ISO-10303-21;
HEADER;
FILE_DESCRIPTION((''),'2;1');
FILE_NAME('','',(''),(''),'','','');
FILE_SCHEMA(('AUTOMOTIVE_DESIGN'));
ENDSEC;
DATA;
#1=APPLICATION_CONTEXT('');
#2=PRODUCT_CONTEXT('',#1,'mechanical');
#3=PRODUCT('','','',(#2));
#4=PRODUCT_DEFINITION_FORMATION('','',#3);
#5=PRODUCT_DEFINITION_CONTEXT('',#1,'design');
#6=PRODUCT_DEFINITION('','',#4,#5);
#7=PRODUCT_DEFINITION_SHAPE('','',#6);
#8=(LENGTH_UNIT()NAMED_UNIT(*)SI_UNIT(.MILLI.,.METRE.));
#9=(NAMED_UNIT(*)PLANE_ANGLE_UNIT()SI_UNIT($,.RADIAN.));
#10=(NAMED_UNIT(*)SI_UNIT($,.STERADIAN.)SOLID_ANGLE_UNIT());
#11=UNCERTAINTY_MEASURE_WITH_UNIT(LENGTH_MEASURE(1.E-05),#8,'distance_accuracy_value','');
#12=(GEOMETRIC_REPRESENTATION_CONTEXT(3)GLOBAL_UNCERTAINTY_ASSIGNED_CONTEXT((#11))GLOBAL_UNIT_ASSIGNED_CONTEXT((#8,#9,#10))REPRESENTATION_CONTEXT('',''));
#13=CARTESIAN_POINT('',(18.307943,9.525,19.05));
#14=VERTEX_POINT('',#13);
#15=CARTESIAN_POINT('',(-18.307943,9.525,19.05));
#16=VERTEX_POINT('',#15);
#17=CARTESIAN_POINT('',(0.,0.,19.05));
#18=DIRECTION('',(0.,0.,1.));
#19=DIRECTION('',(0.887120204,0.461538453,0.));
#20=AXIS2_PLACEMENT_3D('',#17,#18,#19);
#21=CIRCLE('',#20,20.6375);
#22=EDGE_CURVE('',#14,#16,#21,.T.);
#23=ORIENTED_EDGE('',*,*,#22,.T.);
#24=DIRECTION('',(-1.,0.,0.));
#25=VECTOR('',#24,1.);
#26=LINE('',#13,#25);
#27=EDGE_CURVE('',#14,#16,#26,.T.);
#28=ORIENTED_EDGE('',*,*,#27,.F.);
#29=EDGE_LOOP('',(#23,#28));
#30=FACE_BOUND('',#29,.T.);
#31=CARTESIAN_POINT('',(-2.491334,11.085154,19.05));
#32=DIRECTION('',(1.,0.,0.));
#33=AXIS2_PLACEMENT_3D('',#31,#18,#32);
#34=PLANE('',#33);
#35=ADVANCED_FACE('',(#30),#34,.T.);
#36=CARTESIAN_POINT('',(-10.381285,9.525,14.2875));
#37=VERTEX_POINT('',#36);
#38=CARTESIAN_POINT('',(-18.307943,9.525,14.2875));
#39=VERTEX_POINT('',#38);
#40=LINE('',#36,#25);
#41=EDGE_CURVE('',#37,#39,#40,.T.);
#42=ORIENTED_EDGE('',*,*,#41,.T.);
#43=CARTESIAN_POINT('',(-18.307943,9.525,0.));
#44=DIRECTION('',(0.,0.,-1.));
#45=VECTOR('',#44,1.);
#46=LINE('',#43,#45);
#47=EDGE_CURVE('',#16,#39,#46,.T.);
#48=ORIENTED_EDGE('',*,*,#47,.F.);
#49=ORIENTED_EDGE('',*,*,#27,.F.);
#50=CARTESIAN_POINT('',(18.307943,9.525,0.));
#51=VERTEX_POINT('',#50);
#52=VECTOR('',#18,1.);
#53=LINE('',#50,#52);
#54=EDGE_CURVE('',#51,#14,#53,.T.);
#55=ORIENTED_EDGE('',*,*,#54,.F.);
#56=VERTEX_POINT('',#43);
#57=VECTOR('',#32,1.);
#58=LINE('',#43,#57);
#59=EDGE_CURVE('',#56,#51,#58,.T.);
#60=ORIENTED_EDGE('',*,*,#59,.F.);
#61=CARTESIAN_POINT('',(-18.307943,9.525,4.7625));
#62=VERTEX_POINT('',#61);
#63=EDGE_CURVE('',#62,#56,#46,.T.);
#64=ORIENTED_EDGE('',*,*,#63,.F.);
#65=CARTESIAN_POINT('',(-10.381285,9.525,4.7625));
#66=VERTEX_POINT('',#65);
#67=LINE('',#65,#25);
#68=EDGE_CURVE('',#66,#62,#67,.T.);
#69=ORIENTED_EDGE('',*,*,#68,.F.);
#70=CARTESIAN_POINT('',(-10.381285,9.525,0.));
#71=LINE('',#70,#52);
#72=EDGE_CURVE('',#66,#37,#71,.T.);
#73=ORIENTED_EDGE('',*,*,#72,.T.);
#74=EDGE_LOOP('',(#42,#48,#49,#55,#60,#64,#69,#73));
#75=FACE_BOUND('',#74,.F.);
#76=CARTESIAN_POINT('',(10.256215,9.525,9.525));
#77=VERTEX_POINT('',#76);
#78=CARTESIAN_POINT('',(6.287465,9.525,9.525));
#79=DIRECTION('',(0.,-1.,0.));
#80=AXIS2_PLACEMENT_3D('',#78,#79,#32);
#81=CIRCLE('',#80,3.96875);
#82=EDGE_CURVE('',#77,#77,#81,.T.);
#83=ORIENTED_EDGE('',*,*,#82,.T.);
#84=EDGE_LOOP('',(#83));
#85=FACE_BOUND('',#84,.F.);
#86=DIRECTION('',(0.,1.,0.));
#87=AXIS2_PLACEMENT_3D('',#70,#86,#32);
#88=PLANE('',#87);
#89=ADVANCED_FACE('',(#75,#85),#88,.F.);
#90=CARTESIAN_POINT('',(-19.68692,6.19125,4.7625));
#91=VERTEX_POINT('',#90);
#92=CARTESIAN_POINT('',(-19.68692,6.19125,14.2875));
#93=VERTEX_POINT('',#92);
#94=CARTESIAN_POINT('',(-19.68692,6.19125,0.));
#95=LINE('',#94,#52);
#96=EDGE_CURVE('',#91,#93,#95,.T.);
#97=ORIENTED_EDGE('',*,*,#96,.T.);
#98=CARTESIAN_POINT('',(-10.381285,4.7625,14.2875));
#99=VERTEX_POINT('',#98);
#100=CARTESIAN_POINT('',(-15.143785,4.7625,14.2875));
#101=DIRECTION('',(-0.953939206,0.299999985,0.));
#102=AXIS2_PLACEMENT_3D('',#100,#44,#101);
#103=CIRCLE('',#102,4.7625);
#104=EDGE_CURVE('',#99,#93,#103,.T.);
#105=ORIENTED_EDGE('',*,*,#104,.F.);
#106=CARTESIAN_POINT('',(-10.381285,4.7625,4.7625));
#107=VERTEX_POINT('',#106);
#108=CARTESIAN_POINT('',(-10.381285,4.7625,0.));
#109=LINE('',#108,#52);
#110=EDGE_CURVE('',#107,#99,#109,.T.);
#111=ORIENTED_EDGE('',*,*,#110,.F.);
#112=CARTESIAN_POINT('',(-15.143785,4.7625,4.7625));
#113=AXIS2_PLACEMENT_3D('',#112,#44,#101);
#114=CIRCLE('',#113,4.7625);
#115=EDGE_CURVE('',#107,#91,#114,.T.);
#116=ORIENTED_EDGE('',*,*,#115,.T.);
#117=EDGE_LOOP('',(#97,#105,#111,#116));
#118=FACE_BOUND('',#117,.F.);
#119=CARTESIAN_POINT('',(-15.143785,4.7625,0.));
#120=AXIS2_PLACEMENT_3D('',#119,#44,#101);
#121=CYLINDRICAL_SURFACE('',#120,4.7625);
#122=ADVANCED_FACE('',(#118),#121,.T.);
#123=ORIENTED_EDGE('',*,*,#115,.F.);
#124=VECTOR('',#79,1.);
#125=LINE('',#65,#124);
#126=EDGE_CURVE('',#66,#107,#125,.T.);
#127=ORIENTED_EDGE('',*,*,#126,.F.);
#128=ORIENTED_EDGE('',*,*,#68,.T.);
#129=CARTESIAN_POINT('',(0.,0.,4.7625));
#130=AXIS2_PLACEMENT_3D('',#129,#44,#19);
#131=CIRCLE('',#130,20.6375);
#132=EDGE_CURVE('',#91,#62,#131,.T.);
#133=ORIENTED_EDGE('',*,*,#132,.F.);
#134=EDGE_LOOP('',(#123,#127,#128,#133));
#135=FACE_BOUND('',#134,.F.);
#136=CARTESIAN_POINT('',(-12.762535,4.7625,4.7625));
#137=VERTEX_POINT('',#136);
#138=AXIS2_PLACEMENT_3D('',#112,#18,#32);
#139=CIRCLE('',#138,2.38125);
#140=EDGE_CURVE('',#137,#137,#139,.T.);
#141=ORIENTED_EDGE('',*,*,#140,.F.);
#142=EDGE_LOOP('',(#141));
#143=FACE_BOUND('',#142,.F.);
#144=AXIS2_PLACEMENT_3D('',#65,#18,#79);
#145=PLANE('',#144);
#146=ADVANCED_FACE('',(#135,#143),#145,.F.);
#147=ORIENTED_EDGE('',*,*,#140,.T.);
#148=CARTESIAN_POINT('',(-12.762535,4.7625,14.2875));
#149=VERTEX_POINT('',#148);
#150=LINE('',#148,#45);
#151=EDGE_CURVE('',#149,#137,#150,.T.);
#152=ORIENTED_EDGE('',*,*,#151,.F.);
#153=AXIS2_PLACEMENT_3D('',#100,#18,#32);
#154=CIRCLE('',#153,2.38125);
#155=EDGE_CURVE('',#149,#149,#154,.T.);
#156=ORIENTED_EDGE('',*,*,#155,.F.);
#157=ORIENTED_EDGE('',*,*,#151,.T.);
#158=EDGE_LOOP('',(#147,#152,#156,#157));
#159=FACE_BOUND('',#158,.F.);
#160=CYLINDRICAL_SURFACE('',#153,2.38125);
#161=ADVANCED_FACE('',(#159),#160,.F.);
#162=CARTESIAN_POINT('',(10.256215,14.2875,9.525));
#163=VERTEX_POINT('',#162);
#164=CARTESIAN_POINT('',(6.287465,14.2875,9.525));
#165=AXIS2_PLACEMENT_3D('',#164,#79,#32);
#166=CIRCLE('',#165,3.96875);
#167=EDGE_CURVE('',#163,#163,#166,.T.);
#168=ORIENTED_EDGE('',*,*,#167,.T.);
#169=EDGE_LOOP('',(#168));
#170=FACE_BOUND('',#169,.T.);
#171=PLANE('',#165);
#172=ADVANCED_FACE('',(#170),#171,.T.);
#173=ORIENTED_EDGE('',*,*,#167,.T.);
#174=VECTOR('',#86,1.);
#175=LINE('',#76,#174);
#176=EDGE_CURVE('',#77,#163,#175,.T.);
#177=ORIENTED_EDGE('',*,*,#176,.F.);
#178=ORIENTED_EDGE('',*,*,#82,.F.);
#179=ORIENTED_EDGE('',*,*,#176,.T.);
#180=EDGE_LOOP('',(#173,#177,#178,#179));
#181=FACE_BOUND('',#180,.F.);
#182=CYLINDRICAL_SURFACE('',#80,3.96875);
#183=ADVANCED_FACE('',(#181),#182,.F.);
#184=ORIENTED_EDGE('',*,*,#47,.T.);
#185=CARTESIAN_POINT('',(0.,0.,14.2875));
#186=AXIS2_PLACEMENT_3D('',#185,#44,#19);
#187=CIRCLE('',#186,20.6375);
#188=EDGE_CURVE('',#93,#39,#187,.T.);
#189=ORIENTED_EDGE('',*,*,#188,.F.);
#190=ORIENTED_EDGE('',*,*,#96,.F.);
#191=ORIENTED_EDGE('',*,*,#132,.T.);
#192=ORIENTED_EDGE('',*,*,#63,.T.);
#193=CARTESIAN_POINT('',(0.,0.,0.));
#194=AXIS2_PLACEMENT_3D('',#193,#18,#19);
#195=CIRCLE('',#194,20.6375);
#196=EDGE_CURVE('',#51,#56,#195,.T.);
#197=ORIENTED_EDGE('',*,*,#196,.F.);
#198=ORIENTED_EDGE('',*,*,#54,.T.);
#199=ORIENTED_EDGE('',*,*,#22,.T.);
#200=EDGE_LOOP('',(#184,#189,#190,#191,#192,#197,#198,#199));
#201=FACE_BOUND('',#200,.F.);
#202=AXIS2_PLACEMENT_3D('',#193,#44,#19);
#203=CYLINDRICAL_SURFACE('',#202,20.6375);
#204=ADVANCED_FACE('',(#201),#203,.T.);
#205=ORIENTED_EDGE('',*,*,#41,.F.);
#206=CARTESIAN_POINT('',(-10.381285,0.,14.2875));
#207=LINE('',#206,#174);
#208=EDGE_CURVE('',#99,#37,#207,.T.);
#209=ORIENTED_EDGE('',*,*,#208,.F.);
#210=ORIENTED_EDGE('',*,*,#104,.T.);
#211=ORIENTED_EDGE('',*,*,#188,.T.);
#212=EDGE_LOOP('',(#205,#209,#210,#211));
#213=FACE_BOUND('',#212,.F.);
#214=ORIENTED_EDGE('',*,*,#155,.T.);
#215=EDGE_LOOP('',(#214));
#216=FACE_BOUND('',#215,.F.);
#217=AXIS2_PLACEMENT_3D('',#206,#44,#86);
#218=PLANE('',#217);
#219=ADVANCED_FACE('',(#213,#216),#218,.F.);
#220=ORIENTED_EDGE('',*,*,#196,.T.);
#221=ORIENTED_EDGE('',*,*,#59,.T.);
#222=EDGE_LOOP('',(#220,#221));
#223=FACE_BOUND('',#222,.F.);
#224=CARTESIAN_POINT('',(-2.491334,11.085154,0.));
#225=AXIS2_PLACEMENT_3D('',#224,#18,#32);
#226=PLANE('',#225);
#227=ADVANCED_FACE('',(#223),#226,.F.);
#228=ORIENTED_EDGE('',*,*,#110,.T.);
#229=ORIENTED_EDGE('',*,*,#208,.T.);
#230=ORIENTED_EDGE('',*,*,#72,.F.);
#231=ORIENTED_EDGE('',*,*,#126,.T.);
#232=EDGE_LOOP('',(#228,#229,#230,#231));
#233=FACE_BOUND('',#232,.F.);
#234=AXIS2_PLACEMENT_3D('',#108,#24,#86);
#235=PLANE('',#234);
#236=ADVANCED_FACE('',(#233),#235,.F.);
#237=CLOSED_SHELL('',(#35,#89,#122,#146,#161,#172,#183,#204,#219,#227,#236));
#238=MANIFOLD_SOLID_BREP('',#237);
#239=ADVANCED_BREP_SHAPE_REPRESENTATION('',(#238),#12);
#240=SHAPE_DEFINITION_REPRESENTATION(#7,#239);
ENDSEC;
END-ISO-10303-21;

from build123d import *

# Parameters (mm, degrees)
F1_DEPTH = 19.05
F2_W     = 4.7625
F2_H     = 4.7625
F3_DEPTH = 25.4
F4_R     = 2.38125
F5_DEPTH = 14.2885
F6_R     = 3.96875
F7_DEPTH = 4.7625


with BuildPart() as f1:
    # F0 (on Top) → F1 (new body)
    with BuildSketch(Plane.XY):
        with BuildLine():
            Line((-10.381285, 9.525), (18.307943, 9.525))
            ThreePointArc((18.307943, 9.525), (-1.803848, 20.558515), (-19.68692, 6.19125))
            ThreePointArc((-19.68692, 6.19125), (-15.866531, 0.055161), (-10.381285, 4.7625))
            Line((-10.381285, 4.7625), (-10.381285, 9.525))
        make_face()
    extrude(amount=F1_DEPTH)

    # F2 (on face) → F3 (cut)
    with BuildSketch(Plane.YZ.offset(-10.381285)):
        with Locations((7.14375, 16.66875)):
            Rectangle(F2_W, F2_H)
        with Locations((2.38125, 16.66875)):
            Rectangle(F2_W, F2_H)
        with Locations((7.14375, 2.38125)):
            Rectangle(F2_W, F2_H)
        with Locations((2.38125, 2.38125)):
            Rectangle(F2_W, F2_H)
    extrude(amount=-F3_DEPTH, mode=Mode.SUBTRACT)

    # F4 (on face) → F5 (cut, through all)
    with BuildSketch(Plane.XY.offset(14.2875)):
        with Locations((-15.143785, 4.7625)):
            Circle(F4_R)
    extrude(amount=-F5_DEPTH, mode=Mode.SUBTRACT)

    # F6 (on face) → F7 (cut)
    with BuildSketch(Plane.XZ.offset(-9.525)):
        with Locations((6.287465, 9.525)):
            Circle(F6_R)
    extrude(amount=-F7_DEPTH, mode=Mode.SUBTRACT)


solid = f1.part
